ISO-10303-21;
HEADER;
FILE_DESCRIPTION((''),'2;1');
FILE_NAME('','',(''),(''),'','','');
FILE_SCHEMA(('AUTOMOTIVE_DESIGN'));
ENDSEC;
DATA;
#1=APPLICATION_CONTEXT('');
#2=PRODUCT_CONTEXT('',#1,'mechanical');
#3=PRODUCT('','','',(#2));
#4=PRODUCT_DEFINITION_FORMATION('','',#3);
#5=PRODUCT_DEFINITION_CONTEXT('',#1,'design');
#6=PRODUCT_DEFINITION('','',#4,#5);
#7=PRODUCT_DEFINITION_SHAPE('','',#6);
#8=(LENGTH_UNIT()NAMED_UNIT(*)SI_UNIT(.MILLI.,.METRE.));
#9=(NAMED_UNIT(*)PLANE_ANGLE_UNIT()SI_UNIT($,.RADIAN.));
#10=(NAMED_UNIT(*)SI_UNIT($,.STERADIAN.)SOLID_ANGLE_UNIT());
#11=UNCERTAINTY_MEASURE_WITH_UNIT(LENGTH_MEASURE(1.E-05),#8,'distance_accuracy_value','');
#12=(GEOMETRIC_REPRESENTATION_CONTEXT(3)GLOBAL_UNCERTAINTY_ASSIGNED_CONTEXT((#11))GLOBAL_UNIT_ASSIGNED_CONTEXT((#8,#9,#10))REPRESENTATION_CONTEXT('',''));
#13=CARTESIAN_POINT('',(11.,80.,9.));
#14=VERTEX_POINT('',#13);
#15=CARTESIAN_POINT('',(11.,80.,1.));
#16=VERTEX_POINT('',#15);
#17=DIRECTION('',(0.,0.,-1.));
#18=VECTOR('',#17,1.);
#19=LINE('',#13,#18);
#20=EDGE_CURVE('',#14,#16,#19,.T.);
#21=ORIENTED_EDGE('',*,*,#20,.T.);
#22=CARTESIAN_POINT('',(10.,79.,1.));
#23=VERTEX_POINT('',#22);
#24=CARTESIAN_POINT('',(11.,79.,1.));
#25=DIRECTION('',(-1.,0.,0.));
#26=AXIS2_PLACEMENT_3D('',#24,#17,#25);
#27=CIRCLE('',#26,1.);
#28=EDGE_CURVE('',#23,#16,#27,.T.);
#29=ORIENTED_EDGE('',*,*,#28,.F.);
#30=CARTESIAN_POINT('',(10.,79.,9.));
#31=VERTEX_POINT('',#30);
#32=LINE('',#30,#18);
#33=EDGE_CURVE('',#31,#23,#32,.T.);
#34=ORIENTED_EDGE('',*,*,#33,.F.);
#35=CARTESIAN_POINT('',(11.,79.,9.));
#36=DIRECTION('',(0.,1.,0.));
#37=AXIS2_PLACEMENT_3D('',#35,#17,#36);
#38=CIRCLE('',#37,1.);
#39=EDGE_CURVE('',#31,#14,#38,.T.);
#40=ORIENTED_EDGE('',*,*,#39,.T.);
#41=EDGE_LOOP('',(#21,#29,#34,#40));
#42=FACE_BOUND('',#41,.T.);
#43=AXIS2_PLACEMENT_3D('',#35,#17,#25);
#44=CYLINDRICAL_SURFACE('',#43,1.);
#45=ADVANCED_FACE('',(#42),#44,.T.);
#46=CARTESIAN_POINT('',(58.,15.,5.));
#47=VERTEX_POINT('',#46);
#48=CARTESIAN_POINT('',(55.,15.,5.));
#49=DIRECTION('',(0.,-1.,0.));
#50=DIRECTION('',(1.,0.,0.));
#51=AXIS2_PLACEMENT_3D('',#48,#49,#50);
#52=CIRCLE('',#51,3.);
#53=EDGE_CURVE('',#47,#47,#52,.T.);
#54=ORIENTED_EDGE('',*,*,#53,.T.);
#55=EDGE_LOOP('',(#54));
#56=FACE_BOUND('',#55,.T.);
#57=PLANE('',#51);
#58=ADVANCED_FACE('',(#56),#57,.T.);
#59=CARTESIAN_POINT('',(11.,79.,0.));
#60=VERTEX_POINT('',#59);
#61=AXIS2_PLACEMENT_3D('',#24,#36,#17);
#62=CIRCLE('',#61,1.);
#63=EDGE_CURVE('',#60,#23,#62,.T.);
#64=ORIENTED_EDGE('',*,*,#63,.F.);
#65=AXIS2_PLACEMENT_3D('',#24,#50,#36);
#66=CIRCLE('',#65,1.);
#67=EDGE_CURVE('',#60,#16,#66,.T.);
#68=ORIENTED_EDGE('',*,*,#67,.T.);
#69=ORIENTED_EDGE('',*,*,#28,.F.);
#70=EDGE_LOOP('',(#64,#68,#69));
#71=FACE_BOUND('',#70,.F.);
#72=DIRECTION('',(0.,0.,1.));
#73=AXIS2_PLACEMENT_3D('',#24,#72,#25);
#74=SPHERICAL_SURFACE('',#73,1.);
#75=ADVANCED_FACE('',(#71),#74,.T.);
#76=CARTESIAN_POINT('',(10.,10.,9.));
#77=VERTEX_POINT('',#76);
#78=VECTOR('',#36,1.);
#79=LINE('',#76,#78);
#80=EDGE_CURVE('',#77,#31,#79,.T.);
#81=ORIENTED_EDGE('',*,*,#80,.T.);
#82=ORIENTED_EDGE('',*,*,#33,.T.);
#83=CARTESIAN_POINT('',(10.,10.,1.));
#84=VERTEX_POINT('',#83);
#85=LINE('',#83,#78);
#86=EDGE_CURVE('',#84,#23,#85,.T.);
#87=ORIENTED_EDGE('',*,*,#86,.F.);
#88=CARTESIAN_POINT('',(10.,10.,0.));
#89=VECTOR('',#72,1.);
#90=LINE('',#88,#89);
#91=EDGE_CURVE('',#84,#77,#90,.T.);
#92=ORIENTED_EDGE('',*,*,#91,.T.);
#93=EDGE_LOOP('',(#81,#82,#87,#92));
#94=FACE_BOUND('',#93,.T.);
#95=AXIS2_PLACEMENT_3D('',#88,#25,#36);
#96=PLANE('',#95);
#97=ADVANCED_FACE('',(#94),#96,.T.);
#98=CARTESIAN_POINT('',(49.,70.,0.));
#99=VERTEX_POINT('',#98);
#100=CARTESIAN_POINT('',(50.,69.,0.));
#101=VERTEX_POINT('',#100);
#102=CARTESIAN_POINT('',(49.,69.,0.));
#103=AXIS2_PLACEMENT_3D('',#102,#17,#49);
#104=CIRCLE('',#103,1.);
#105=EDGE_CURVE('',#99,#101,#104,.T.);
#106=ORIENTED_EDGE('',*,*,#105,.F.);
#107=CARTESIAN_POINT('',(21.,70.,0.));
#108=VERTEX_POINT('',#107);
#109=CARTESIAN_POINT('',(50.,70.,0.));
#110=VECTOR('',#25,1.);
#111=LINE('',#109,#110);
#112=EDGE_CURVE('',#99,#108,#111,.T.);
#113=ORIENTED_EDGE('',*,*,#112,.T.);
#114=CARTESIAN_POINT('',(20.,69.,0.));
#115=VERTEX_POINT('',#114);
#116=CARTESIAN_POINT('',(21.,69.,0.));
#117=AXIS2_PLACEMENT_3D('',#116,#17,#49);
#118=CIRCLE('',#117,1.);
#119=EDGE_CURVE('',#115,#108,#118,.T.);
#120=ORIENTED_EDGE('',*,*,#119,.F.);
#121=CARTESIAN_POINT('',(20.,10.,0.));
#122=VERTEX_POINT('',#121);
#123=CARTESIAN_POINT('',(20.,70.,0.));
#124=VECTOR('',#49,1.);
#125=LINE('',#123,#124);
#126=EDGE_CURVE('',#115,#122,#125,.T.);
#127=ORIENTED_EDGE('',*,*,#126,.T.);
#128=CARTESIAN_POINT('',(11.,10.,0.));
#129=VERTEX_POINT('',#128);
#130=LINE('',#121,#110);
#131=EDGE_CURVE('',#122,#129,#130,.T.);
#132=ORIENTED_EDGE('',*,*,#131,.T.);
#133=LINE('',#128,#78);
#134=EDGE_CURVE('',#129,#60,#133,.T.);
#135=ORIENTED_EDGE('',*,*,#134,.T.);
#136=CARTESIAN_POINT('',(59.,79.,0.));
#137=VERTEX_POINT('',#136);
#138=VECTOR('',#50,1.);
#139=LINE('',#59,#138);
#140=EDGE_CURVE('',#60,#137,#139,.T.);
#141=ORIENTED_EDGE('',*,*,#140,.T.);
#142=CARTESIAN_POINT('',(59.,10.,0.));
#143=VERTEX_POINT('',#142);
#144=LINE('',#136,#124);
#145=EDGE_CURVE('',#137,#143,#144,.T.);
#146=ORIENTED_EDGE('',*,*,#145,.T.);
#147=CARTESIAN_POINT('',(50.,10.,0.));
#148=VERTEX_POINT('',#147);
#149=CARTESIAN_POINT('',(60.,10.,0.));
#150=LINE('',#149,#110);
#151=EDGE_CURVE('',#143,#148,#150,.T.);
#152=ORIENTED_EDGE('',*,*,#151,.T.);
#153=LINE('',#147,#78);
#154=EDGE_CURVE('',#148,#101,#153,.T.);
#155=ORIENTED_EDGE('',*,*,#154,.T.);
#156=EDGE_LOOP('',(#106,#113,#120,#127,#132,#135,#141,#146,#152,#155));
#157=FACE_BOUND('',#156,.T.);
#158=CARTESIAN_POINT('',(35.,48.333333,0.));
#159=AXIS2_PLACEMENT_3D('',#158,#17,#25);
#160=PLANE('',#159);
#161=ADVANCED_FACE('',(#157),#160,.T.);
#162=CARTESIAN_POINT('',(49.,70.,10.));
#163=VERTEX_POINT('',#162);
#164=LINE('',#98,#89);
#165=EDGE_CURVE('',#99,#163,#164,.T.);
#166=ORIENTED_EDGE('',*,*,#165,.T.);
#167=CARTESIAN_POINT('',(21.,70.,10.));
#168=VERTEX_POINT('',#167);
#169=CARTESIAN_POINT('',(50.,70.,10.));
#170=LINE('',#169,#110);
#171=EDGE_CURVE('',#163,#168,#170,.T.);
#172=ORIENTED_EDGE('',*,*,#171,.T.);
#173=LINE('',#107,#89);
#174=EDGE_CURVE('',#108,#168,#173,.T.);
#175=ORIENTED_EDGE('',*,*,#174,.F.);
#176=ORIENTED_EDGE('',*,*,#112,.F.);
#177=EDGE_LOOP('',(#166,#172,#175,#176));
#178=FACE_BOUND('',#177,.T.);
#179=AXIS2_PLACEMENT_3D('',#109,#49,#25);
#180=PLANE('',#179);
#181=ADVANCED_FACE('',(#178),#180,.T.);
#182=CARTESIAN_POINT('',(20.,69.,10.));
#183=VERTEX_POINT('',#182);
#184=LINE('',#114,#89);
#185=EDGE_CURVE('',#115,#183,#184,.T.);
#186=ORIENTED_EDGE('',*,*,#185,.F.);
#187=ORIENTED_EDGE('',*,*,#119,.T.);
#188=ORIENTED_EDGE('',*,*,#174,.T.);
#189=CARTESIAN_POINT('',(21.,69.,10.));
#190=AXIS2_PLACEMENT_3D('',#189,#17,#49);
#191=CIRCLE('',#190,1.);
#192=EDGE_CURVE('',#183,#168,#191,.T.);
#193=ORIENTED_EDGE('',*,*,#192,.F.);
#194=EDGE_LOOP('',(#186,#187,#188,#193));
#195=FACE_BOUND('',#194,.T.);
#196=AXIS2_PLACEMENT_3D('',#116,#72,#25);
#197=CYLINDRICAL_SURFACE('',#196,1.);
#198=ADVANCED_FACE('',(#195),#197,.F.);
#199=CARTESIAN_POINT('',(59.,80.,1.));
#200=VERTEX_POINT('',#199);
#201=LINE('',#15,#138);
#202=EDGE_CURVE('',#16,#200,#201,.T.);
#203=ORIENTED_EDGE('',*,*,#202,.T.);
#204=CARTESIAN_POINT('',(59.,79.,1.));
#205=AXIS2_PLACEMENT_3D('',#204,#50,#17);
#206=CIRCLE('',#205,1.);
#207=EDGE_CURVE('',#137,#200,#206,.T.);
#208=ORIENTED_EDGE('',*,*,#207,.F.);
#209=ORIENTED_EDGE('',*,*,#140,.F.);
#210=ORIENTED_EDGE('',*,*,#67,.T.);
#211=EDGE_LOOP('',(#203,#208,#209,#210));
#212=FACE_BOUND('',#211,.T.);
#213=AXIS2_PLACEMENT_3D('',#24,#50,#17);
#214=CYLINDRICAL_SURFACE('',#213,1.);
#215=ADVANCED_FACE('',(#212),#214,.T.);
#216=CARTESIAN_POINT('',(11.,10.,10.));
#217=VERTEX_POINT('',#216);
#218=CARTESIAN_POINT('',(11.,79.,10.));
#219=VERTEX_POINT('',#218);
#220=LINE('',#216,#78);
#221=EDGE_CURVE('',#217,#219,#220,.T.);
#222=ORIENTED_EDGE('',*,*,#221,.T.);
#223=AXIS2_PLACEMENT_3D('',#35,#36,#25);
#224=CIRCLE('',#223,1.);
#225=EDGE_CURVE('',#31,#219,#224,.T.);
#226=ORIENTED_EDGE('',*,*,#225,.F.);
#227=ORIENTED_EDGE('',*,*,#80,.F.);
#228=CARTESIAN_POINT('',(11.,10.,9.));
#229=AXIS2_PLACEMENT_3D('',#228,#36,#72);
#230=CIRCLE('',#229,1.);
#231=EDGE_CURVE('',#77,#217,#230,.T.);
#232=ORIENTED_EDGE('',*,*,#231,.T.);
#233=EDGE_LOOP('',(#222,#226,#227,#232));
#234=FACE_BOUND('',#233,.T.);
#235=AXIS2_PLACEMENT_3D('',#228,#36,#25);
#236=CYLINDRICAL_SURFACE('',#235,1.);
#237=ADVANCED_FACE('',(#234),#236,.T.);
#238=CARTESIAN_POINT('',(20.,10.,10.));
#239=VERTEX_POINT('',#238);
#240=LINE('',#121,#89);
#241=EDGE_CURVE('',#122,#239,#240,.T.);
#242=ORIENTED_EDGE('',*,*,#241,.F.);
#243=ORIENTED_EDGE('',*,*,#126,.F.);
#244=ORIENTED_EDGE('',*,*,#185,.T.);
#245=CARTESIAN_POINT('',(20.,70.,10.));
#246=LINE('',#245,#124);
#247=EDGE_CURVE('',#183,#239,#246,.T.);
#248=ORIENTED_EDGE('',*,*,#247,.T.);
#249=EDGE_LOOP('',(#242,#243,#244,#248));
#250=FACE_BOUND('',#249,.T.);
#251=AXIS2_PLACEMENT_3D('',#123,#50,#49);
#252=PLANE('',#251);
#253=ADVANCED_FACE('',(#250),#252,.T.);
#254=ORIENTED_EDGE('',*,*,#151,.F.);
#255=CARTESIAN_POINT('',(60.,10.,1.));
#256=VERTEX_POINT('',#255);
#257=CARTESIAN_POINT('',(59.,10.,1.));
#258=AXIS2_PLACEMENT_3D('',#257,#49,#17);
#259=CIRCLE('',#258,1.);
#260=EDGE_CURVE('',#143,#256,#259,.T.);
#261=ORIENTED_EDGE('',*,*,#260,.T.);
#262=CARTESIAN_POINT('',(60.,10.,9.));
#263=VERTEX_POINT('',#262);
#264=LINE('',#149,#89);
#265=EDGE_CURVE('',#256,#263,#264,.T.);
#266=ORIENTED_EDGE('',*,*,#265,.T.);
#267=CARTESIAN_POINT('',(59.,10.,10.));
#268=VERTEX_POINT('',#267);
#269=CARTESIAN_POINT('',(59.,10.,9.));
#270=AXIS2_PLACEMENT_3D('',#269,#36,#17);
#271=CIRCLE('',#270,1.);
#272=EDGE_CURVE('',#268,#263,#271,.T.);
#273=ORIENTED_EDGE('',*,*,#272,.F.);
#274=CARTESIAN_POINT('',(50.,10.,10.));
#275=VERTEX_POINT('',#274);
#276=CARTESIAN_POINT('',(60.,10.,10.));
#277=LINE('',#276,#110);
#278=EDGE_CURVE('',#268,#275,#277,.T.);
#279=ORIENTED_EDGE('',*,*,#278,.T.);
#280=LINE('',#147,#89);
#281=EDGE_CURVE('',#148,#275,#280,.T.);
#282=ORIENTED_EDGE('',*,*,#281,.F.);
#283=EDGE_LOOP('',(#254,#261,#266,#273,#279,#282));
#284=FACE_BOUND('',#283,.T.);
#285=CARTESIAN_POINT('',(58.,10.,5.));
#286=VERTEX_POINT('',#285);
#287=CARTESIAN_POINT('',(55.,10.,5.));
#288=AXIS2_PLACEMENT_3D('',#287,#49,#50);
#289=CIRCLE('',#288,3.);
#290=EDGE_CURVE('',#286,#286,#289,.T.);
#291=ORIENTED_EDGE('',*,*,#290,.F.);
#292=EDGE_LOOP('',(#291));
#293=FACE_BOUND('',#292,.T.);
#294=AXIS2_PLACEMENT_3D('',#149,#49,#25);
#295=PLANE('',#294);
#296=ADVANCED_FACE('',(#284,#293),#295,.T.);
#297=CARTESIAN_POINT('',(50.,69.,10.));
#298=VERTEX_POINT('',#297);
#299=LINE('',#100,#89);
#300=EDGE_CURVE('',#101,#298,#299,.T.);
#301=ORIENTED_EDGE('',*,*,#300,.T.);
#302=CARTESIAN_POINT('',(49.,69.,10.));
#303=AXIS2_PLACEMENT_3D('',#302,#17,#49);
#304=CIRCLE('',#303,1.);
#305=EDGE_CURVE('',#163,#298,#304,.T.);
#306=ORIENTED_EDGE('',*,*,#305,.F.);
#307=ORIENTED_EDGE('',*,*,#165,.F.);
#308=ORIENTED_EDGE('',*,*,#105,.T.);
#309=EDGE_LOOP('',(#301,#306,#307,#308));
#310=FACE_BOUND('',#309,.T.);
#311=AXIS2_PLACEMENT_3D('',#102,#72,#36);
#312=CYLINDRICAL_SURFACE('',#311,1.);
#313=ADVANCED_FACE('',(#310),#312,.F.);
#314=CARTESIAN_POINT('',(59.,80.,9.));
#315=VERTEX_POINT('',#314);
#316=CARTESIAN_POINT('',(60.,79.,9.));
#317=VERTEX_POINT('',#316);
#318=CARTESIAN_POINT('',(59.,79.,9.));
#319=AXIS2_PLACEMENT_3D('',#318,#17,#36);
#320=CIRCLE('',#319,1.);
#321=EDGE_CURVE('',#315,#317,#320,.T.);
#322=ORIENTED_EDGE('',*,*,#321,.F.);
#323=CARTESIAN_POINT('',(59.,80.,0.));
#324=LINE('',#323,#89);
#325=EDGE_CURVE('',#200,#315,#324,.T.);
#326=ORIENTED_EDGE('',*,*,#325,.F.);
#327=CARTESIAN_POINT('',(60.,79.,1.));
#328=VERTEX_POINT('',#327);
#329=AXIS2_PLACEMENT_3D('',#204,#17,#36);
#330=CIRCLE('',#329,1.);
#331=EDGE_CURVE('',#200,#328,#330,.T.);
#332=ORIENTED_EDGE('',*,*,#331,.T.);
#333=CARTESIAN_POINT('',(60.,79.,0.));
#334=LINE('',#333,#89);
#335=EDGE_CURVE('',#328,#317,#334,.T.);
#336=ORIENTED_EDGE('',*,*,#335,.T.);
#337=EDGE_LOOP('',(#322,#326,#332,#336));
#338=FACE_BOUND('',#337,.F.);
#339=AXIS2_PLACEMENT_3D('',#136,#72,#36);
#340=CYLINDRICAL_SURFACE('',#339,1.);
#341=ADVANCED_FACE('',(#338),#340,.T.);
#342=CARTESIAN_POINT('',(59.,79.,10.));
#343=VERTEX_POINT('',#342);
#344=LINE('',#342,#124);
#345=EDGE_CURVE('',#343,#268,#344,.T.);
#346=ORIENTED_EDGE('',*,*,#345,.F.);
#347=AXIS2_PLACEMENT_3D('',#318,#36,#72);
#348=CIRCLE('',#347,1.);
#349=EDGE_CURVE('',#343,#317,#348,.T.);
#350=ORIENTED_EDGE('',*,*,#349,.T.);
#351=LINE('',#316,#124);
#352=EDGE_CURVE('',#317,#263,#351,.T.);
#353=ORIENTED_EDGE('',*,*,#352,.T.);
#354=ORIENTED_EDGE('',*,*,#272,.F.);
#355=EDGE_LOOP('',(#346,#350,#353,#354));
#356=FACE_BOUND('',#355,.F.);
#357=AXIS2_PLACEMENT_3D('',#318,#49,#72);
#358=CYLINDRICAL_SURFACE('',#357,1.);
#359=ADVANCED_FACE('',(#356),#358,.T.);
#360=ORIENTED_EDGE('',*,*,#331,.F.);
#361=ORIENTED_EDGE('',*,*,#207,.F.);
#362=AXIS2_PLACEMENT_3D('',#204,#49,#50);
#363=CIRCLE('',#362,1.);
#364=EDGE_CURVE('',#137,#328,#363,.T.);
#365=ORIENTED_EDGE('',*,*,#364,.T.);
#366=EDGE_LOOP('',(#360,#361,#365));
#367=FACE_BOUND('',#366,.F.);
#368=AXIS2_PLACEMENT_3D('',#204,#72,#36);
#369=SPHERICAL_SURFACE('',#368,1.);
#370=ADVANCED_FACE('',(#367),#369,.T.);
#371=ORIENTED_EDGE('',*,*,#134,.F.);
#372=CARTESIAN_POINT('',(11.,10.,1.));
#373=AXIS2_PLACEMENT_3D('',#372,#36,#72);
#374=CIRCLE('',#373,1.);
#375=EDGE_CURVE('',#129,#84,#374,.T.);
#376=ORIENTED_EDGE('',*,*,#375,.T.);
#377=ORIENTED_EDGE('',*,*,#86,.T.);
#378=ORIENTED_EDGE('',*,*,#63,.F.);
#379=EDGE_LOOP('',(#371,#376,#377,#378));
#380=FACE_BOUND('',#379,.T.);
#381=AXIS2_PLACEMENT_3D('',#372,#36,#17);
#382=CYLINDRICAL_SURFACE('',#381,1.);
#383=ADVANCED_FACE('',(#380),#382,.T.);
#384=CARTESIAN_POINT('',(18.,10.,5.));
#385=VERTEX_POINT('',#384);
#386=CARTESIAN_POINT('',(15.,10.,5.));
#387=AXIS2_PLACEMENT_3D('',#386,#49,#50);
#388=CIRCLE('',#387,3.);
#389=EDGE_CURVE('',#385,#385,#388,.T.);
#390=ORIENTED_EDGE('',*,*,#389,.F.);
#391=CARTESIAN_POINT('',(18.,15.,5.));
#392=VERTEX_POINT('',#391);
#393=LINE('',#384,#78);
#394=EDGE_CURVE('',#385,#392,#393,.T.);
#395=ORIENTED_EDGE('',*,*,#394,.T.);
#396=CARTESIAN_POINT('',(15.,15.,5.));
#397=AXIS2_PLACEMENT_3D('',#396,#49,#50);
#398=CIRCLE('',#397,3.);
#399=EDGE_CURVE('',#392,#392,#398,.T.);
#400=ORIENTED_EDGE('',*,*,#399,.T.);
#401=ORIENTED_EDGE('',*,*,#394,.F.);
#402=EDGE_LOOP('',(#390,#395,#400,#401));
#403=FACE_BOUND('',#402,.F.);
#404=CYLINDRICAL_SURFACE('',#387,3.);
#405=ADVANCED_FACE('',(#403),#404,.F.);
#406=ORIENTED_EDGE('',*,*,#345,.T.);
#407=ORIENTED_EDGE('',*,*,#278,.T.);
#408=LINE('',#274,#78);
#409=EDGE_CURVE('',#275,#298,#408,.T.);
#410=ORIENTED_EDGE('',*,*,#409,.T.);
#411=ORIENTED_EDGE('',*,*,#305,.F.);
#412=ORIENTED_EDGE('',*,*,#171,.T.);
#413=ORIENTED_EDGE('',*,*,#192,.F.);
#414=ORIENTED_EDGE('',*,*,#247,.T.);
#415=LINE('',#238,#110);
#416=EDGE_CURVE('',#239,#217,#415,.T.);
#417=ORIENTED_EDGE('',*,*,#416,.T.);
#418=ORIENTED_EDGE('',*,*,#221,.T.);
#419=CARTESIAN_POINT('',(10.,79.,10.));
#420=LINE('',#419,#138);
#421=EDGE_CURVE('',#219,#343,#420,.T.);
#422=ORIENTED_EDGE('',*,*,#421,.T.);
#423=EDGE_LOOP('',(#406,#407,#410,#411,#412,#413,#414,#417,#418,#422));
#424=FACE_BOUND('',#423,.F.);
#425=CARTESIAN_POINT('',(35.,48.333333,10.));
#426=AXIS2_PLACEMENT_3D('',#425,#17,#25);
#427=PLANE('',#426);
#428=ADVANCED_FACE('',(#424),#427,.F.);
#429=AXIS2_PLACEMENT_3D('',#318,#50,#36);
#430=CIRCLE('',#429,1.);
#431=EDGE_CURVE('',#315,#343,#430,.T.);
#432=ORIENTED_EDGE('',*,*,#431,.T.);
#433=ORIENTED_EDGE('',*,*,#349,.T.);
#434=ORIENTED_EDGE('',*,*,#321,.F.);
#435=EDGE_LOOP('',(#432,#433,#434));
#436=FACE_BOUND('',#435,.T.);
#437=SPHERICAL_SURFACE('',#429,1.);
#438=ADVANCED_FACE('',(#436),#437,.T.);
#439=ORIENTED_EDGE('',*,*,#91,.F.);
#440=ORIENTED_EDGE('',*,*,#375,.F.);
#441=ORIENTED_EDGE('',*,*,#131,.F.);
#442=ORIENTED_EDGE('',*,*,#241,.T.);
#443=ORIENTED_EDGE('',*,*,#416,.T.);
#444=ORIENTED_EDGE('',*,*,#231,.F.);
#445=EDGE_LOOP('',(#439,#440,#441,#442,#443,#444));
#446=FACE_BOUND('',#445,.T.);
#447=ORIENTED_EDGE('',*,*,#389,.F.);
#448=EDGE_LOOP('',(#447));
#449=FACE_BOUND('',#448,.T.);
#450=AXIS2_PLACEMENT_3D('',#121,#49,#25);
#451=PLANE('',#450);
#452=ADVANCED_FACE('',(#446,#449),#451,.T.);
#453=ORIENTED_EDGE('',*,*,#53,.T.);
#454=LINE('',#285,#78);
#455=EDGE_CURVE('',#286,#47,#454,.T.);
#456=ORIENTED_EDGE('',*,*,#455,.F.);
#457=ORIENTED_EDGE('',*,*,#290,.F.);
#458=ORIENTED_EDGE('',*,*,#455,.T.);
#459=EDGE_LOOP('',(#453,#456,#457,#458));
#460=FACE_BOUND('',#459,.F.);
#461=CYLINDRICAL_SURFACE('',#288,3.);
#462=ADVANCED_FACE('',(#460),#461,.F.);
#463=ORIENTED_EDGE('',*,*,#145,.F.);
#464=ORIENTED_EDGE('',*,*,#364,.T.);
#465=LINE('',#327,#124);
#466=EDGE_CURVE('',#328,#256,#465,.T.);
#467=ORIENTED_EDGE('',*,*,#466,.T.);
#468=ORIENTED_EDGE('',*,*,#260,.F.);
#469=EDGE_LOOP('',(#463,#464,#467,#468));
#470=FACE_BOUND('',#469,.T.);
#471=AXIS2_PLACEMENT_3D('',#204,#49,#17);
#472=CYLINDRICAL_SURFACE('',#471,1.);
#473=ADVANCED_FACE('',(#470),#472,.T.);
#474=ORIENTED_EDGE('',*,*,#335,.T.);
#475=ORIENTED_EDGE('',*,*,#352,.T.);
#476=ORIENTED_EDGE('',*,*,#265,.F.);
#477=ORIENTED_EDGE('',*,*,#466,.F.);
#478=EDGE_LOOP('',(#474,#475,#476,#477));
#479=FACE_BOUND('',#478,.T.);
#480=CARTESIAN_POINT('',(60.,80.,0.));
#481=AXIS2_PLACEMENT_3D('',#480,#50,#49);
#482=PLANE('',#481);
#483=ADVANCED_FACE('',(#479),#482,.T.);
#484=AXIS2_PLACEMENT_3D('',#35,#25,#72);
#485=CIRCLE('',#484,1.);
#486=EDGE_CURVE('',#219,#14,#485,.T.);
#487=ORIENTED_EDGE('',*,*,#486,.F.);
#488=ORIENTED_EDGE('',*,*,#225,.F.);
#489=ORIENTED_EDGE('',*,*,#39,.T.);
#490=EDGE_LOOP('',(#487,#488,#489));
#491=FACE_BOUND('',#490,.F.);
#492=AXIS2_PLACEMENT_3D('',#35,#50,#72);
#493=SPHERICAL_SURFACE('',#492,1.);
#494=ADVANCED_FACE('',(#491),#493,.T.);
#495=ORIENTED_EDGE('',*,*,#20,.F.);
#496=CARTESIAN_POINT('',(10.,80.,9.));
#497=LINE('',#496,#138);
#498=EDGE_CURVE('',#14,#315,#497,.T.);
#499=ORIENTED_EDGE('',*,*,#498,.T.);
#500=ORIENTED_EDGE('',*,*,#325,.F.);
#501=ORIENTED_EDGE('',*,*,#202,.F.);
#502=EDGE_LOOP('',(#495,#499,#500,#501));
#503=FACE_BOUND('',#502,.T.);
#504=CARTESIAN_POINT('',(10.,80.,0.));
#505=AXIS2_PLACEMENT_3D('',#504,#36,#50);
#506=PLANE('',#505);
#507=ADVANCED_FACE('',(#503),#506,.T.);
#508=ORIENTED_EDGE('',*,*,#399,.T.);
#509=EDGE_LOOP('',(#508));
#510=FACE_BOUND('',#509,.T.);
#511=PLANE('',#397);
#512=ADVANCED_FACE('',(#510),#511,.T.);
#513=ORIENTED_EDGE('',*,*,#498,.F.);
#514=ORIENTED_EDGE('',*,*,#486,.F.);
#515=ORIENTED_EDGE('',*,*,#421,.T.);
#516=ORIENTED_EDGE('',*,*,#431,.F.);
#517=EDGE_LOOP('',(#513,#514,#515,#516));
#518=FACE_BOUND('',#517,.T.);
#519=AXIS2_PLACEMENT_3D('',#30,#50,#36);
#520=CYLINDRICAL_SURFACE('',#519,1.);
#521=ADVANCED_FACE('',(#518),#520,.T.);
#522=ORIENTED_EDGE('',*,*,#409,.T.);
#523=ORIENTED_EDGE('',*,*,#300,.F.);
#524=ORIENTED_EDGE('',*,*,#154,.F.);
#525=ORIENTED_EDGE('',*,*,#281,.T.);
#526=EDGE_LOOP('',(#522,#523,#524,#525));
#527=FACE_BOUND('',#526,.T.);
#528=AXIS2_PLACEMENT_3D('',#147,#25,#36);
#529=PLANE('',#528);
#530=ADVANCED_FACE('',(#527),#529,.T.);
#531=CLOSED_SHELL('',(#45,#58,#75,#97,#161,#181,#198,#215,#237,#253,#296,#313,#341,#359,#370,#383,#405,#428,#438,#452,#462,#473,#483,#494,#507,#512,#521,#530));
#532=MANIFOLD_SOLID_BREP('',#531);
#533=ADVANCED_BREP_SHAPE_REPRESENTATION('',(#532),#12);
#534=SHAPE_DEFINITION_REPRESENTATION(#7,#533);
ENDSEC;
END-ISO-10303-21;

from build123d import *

# Parameters (mm, degrees)
PAD_DEPTH    = 10
FILLET_R     = 1
FILLET001_R  = 1
FILLET002_R  = 1
FILLET003_R  = 1
FILLET004_R  = 1
FILLET005_R  = 1
SKETCH001_R  = 3
POCKET_DEPTH = 5


with BuildPart() as part:
    # Sketch → Pad (new body)
    with BuildSketch(Plane.XY):
        Polygon((20, 70), (20, 10), (10, 10), (10, 80), (60, 80), (60, 10), (50, 10), (50, 70), align=None)
    extrude(amount=PAD_DEPTH)

    # Fillet
    fillet_edges = [part.edges().sort_by_distance(p)[0] for p in [
        (35, 80, 10),
    ]]
    fillet(fillet_edges, radius=FILLET_R)

    # Fillet001
    fillet001_edges = [part.edges().sort_by_distance(p)[0] for p in [
        (60, 44.5, 10),
    ]]
    fillet(fillet001_edges, radius=FILLET001_R)

    # Fillet002
    fillet002_edges = [part.edges().sort_by_distance(p)[0] for p in [
        (10, 44.5, 10),
    ]]
    fillet(fillet002_edges, radius=FILLET002_R)

    # Fillet003
    fillet003_edges = [part.edges().sort_by_distance(p)[0] for p in [
        (10, 44.5, 0),
    ]]
    fillet(fillet003_edges, radius=FILLET003_R)

    # Fillet004
    fillet004_edges = [part.edges().sort_by_distance(p)[0] for p in [
        (20, 70, 5),
    ]]
    fillet(fillet004_edges, radius=FILLET004_R)

    # Fillet005
    fillet005_edges = [part.edges().sort_by_distance(p)[0] for p in [
        (50, 70, 5),
    ]]
    fillet(fillet005_edges, radius=FILLET005_R)

    # Sketch001 (on Face8 of Fillet005) → Pocket (cut)
    with BuildSketch(Plane.XZ.offset(-10)):
        with Locations((15, 5)):
            Circle(SKETCH001_R)
        with Locations((55, 5)):
            Circle(SKETCH001_R)
    extrude(amount=-POCKET_DEPTH, mode=Mode.SUBTRACT)


solid = part.part
